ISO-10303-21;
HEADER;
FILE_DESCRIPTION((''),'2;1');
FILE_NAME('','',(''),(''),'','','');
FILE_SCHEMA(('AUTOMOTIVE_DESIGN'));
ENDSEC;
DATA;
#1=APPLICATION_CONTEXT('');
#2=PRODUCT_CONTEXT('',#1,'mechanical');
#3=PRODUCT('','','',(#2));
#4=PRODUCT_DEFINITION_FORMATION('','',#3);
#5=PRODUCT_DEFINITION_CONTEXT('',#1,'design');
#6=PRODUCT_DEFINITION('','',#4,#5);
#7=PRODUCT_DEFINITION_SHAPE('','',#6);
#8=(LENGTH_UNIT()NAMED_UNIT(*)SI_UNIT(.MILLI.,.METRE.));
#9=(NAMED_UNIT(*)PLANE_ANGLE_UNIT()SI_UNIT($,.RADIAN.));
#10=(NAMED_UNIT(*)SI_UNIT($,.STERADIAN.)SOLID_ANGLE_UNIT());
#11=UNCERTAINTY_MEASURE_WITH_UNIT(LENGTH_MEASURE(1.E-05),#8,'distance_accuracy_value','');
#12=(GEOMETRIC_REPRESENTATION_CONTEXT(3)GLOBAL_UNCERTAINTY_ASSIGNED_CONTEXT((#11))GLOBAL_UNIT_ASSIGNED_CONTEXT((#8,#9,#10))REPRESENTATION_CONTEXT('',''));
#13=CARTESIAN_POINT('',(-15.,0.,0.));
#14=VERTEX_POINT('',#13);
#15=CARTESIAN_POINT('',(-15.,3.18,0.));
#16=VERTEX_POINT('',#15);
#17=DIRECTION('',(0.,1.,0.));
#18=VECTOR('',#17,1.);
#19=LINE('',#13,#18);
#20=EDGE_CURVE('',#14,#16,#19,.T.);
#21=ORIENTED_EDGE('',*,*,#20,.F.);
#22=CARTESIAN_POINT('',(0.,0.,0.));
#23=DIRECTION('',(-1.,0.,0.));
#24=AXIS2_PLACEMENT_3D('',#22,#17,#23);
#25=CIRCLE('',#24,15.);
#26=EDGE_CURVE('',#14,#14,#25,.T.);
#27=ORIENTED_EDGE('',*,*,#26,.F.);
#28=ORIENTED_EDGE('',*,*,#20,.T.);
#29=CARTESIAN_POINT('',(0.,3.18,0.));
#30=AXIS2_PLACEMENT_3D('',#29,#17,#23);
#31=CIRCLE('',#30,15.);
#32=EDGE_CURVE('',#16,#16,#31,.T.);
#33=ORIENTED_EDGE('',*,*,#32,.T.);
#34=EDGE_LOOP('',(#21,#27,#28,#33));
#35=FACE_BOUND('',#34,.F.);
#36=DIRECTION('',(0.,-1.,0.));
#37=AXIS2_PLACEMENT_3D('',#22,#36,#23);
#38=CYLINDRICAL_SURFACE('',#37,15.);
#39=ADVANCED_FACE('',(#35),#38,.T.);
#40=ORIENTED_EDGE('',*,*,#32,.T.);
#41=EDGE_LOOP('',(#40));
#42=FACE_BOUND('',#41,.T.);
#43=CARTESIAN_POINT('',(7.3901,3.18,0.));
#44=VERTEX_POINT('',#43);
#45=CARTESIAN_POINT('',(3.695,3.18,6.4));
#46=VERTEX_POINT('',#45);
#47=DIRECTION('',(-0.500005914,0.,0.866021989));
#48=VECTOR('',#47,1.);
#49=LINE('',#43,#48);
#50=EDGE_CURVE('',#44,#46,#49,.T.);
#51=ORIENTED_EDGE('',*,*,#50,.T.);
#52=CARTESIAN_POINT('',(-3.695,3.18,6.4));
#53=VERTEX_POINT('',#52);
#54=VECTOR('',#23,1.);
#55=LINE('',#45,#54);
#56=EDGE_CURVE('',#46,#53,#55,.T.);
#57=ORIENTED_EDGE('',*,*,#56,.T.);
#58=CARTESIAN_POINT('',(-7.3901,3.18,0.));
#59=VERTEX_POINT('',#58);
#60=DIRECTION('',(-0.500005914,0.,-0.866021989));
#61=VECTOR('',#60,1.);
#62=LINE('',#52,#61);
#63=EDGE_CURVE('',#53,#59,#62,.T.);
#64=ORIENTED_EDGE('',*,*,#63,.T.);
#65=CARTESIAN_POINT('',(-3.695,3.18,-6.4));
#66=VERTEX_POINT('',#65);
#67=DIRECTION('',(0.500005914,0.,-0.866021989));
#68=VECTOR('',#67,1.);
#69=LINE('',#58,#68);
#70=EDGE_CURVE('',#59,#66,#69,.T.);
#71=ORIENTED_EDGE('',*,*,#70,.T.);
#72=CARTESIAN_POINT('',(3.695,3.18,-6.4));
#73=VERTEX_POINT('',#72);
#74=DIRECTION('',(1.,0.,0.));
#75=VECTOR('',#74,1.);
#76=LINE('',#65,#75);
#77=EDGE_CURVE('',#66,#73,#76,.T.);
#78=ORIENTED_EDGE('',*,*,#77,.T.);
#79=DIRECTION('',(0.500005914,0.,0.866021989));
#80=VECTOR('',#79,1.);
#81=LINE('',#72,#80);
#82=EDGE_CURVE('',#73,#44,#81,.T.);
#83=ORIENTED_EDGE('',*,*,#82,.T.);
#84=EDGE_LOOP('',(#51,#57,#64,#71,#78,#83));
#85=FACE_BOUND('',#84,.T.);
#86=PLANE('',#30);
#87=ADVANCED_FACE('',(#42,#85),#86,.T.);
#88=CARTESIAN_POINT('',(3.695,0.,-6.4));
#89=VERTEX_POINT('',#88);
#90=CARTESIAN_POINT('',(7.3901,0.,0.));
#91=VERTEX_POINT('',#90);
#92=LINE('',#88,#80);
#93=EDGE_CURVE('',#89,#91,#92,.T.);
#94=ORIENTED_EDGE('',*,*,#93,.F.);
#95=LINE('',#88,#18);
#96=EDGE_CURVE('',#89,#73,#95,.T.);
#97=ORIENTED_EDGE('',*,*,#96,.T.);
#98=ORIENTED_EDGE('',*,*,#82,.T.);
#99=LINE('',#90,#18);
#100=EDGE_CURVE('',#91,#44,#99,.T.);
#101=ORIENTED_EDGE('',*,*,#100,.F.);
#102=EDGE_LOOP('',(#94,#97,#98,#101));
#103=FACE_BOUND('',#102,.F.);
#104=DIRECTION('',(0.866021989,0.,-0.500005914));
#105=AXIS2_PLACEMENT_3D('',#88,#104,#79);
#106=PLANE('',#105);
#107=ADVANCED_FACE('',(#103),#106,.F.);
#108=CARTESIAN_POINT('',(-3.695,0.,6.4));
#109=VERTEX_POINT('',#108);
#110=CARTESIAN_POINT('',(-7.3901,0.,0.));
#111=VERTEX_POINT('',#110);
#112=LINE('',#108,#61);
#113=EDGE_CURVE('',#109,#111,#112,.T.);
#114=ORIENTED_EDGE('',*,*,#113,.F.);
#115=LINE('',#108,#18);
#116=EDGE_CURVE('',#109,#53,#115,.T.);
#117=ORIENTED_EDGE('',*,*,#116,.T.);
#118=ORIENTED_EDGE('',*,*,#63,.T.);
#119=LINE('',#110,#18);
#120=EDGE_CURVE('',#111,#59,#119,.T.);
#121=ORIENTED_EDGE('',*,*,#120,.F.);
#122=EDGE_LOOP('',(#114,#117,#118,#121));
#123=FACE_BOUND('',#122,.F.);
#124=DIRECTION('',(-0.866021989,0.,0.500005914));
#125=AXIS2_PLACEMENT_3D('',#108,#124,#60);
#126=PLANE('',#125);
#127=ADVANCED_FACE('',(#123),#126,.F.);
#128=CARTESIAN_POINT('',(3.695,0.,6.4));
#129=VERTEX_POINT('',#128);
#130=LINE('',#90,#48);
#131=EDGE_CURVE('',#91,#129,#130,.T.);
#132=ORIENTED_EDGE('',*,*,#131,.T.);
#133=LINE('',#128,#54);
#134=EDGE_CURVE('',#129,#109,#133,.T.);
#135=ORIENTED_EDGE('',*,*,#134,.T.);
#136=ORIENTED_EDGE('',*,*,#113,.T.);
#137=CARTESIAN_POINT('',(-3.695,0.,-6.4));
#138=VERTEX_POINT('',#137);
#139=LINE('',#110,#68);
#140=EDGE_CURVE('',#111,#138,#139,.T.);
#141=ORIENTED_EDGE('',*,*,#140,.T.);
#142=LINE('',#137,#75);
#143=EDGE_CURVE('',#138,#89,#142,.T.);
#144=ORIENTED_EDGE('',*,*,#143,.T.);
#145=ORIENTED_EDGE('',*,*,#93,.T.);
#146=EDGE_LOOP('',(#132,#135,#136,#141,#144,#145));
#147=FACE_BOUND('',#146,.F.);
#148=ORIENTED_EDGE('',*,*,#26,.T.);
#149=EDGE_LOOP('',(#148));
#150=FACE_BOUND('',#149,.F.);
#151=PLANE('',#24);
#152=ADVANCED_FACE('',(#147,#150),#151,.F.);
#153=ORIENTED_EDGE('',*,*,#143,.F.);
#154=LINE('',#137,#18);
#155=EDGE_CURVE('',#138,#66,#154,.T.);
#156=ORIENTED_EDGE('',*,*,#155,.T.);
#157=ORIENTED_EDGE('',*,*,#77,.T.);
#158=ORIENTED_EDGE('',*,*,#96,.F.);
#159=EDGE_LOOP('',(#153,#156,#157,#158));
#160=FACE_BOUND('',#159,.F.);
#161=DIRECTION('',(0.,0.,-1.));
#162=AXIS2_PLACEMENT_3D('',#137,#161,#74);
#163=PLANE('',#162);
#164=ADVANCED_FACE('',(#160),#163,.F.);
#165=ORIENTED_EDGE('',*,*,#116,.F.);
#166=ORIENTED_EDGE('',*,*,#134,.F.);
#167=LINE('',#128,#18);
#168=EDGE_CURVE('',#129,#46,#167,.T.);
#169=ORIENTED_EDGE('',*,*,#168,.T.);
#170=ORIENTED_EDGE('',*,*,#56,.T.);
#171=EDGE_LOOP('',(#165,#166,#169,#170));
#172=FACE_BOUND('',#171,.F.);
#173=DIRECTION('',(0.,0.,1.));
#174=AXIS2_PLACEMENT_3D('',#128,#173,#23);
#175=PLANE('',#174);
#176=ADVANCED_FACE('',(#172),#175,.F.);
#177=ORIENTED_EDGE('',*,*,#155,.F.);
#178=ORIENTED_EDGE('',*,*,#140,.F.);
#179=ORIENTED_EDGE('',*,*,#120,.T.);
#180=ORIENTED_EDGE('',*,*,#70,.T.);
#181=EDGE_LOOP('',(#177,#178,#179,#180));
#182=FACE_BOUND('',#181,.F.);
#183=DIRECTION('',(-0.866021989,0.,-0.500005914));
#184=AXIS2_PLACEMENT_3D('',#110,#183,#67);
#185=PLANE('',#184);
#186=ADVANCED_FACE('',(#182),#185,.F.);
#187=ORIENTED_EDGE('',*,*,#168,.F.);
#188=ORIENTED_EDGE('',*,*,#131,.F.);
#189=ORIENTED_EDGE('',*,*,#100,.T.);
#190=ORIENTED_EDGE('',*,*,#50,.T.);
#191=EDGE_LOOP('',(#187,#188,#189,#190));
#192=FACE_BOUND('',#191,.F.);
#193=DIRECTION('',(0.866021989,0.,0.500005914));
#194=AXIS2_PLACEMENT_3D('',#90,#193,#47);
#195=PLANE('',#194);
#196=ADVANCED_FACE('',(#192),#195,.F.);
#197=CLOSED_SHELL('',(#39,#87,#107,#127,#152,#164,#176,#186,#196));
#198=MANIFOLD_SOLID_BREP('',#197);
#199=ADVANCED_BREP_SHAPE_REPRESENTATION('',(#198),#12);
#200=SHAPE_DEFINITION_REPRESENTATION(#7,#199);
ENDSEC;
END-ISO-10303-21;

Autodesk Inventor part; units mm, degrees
ref_plane "YZ Plane" through (0, 0, 0) normal (1, 0, 0) x (0, 1, 0)
ref_plane "XZ Plane" through (0, 0, 0) normal (0, 1, 0) x (-1, 0, 0)
ref_plane "XY Plane" through (0, 0, 0) normal (0, 0, 1) x (1, 0, 0)
sketch "Boceto1" plane through (0, 0, 0) normal (0, 1, 0) x (-1, 0, 0)
  line L0 (7.3901, 0) -> (3.695, -6.4)
  line L1 (3.695, -6.4) -> (-3.695, -6.4)
  line L2 (-3.695, -6.4) -> (-7.3901, 0)
  line L3 (-7.3901, 0) -> (-3.695, 6.4)
  line L4 (-3.695, 6.4) -> (3.695, 6.4)
  line L5 (3.695, 6.4) -> (7.3901, 0)
  circle A0 centre (0, 0) radius 15
  dimension "d0" = 12.8
  dimension "d1" = 0
  dimension "d2" = 30
extrude "Extrusión1" add sketch "Boceto1" along normal blind 3.18
properties part number "BASE_SOST.PERNO"
